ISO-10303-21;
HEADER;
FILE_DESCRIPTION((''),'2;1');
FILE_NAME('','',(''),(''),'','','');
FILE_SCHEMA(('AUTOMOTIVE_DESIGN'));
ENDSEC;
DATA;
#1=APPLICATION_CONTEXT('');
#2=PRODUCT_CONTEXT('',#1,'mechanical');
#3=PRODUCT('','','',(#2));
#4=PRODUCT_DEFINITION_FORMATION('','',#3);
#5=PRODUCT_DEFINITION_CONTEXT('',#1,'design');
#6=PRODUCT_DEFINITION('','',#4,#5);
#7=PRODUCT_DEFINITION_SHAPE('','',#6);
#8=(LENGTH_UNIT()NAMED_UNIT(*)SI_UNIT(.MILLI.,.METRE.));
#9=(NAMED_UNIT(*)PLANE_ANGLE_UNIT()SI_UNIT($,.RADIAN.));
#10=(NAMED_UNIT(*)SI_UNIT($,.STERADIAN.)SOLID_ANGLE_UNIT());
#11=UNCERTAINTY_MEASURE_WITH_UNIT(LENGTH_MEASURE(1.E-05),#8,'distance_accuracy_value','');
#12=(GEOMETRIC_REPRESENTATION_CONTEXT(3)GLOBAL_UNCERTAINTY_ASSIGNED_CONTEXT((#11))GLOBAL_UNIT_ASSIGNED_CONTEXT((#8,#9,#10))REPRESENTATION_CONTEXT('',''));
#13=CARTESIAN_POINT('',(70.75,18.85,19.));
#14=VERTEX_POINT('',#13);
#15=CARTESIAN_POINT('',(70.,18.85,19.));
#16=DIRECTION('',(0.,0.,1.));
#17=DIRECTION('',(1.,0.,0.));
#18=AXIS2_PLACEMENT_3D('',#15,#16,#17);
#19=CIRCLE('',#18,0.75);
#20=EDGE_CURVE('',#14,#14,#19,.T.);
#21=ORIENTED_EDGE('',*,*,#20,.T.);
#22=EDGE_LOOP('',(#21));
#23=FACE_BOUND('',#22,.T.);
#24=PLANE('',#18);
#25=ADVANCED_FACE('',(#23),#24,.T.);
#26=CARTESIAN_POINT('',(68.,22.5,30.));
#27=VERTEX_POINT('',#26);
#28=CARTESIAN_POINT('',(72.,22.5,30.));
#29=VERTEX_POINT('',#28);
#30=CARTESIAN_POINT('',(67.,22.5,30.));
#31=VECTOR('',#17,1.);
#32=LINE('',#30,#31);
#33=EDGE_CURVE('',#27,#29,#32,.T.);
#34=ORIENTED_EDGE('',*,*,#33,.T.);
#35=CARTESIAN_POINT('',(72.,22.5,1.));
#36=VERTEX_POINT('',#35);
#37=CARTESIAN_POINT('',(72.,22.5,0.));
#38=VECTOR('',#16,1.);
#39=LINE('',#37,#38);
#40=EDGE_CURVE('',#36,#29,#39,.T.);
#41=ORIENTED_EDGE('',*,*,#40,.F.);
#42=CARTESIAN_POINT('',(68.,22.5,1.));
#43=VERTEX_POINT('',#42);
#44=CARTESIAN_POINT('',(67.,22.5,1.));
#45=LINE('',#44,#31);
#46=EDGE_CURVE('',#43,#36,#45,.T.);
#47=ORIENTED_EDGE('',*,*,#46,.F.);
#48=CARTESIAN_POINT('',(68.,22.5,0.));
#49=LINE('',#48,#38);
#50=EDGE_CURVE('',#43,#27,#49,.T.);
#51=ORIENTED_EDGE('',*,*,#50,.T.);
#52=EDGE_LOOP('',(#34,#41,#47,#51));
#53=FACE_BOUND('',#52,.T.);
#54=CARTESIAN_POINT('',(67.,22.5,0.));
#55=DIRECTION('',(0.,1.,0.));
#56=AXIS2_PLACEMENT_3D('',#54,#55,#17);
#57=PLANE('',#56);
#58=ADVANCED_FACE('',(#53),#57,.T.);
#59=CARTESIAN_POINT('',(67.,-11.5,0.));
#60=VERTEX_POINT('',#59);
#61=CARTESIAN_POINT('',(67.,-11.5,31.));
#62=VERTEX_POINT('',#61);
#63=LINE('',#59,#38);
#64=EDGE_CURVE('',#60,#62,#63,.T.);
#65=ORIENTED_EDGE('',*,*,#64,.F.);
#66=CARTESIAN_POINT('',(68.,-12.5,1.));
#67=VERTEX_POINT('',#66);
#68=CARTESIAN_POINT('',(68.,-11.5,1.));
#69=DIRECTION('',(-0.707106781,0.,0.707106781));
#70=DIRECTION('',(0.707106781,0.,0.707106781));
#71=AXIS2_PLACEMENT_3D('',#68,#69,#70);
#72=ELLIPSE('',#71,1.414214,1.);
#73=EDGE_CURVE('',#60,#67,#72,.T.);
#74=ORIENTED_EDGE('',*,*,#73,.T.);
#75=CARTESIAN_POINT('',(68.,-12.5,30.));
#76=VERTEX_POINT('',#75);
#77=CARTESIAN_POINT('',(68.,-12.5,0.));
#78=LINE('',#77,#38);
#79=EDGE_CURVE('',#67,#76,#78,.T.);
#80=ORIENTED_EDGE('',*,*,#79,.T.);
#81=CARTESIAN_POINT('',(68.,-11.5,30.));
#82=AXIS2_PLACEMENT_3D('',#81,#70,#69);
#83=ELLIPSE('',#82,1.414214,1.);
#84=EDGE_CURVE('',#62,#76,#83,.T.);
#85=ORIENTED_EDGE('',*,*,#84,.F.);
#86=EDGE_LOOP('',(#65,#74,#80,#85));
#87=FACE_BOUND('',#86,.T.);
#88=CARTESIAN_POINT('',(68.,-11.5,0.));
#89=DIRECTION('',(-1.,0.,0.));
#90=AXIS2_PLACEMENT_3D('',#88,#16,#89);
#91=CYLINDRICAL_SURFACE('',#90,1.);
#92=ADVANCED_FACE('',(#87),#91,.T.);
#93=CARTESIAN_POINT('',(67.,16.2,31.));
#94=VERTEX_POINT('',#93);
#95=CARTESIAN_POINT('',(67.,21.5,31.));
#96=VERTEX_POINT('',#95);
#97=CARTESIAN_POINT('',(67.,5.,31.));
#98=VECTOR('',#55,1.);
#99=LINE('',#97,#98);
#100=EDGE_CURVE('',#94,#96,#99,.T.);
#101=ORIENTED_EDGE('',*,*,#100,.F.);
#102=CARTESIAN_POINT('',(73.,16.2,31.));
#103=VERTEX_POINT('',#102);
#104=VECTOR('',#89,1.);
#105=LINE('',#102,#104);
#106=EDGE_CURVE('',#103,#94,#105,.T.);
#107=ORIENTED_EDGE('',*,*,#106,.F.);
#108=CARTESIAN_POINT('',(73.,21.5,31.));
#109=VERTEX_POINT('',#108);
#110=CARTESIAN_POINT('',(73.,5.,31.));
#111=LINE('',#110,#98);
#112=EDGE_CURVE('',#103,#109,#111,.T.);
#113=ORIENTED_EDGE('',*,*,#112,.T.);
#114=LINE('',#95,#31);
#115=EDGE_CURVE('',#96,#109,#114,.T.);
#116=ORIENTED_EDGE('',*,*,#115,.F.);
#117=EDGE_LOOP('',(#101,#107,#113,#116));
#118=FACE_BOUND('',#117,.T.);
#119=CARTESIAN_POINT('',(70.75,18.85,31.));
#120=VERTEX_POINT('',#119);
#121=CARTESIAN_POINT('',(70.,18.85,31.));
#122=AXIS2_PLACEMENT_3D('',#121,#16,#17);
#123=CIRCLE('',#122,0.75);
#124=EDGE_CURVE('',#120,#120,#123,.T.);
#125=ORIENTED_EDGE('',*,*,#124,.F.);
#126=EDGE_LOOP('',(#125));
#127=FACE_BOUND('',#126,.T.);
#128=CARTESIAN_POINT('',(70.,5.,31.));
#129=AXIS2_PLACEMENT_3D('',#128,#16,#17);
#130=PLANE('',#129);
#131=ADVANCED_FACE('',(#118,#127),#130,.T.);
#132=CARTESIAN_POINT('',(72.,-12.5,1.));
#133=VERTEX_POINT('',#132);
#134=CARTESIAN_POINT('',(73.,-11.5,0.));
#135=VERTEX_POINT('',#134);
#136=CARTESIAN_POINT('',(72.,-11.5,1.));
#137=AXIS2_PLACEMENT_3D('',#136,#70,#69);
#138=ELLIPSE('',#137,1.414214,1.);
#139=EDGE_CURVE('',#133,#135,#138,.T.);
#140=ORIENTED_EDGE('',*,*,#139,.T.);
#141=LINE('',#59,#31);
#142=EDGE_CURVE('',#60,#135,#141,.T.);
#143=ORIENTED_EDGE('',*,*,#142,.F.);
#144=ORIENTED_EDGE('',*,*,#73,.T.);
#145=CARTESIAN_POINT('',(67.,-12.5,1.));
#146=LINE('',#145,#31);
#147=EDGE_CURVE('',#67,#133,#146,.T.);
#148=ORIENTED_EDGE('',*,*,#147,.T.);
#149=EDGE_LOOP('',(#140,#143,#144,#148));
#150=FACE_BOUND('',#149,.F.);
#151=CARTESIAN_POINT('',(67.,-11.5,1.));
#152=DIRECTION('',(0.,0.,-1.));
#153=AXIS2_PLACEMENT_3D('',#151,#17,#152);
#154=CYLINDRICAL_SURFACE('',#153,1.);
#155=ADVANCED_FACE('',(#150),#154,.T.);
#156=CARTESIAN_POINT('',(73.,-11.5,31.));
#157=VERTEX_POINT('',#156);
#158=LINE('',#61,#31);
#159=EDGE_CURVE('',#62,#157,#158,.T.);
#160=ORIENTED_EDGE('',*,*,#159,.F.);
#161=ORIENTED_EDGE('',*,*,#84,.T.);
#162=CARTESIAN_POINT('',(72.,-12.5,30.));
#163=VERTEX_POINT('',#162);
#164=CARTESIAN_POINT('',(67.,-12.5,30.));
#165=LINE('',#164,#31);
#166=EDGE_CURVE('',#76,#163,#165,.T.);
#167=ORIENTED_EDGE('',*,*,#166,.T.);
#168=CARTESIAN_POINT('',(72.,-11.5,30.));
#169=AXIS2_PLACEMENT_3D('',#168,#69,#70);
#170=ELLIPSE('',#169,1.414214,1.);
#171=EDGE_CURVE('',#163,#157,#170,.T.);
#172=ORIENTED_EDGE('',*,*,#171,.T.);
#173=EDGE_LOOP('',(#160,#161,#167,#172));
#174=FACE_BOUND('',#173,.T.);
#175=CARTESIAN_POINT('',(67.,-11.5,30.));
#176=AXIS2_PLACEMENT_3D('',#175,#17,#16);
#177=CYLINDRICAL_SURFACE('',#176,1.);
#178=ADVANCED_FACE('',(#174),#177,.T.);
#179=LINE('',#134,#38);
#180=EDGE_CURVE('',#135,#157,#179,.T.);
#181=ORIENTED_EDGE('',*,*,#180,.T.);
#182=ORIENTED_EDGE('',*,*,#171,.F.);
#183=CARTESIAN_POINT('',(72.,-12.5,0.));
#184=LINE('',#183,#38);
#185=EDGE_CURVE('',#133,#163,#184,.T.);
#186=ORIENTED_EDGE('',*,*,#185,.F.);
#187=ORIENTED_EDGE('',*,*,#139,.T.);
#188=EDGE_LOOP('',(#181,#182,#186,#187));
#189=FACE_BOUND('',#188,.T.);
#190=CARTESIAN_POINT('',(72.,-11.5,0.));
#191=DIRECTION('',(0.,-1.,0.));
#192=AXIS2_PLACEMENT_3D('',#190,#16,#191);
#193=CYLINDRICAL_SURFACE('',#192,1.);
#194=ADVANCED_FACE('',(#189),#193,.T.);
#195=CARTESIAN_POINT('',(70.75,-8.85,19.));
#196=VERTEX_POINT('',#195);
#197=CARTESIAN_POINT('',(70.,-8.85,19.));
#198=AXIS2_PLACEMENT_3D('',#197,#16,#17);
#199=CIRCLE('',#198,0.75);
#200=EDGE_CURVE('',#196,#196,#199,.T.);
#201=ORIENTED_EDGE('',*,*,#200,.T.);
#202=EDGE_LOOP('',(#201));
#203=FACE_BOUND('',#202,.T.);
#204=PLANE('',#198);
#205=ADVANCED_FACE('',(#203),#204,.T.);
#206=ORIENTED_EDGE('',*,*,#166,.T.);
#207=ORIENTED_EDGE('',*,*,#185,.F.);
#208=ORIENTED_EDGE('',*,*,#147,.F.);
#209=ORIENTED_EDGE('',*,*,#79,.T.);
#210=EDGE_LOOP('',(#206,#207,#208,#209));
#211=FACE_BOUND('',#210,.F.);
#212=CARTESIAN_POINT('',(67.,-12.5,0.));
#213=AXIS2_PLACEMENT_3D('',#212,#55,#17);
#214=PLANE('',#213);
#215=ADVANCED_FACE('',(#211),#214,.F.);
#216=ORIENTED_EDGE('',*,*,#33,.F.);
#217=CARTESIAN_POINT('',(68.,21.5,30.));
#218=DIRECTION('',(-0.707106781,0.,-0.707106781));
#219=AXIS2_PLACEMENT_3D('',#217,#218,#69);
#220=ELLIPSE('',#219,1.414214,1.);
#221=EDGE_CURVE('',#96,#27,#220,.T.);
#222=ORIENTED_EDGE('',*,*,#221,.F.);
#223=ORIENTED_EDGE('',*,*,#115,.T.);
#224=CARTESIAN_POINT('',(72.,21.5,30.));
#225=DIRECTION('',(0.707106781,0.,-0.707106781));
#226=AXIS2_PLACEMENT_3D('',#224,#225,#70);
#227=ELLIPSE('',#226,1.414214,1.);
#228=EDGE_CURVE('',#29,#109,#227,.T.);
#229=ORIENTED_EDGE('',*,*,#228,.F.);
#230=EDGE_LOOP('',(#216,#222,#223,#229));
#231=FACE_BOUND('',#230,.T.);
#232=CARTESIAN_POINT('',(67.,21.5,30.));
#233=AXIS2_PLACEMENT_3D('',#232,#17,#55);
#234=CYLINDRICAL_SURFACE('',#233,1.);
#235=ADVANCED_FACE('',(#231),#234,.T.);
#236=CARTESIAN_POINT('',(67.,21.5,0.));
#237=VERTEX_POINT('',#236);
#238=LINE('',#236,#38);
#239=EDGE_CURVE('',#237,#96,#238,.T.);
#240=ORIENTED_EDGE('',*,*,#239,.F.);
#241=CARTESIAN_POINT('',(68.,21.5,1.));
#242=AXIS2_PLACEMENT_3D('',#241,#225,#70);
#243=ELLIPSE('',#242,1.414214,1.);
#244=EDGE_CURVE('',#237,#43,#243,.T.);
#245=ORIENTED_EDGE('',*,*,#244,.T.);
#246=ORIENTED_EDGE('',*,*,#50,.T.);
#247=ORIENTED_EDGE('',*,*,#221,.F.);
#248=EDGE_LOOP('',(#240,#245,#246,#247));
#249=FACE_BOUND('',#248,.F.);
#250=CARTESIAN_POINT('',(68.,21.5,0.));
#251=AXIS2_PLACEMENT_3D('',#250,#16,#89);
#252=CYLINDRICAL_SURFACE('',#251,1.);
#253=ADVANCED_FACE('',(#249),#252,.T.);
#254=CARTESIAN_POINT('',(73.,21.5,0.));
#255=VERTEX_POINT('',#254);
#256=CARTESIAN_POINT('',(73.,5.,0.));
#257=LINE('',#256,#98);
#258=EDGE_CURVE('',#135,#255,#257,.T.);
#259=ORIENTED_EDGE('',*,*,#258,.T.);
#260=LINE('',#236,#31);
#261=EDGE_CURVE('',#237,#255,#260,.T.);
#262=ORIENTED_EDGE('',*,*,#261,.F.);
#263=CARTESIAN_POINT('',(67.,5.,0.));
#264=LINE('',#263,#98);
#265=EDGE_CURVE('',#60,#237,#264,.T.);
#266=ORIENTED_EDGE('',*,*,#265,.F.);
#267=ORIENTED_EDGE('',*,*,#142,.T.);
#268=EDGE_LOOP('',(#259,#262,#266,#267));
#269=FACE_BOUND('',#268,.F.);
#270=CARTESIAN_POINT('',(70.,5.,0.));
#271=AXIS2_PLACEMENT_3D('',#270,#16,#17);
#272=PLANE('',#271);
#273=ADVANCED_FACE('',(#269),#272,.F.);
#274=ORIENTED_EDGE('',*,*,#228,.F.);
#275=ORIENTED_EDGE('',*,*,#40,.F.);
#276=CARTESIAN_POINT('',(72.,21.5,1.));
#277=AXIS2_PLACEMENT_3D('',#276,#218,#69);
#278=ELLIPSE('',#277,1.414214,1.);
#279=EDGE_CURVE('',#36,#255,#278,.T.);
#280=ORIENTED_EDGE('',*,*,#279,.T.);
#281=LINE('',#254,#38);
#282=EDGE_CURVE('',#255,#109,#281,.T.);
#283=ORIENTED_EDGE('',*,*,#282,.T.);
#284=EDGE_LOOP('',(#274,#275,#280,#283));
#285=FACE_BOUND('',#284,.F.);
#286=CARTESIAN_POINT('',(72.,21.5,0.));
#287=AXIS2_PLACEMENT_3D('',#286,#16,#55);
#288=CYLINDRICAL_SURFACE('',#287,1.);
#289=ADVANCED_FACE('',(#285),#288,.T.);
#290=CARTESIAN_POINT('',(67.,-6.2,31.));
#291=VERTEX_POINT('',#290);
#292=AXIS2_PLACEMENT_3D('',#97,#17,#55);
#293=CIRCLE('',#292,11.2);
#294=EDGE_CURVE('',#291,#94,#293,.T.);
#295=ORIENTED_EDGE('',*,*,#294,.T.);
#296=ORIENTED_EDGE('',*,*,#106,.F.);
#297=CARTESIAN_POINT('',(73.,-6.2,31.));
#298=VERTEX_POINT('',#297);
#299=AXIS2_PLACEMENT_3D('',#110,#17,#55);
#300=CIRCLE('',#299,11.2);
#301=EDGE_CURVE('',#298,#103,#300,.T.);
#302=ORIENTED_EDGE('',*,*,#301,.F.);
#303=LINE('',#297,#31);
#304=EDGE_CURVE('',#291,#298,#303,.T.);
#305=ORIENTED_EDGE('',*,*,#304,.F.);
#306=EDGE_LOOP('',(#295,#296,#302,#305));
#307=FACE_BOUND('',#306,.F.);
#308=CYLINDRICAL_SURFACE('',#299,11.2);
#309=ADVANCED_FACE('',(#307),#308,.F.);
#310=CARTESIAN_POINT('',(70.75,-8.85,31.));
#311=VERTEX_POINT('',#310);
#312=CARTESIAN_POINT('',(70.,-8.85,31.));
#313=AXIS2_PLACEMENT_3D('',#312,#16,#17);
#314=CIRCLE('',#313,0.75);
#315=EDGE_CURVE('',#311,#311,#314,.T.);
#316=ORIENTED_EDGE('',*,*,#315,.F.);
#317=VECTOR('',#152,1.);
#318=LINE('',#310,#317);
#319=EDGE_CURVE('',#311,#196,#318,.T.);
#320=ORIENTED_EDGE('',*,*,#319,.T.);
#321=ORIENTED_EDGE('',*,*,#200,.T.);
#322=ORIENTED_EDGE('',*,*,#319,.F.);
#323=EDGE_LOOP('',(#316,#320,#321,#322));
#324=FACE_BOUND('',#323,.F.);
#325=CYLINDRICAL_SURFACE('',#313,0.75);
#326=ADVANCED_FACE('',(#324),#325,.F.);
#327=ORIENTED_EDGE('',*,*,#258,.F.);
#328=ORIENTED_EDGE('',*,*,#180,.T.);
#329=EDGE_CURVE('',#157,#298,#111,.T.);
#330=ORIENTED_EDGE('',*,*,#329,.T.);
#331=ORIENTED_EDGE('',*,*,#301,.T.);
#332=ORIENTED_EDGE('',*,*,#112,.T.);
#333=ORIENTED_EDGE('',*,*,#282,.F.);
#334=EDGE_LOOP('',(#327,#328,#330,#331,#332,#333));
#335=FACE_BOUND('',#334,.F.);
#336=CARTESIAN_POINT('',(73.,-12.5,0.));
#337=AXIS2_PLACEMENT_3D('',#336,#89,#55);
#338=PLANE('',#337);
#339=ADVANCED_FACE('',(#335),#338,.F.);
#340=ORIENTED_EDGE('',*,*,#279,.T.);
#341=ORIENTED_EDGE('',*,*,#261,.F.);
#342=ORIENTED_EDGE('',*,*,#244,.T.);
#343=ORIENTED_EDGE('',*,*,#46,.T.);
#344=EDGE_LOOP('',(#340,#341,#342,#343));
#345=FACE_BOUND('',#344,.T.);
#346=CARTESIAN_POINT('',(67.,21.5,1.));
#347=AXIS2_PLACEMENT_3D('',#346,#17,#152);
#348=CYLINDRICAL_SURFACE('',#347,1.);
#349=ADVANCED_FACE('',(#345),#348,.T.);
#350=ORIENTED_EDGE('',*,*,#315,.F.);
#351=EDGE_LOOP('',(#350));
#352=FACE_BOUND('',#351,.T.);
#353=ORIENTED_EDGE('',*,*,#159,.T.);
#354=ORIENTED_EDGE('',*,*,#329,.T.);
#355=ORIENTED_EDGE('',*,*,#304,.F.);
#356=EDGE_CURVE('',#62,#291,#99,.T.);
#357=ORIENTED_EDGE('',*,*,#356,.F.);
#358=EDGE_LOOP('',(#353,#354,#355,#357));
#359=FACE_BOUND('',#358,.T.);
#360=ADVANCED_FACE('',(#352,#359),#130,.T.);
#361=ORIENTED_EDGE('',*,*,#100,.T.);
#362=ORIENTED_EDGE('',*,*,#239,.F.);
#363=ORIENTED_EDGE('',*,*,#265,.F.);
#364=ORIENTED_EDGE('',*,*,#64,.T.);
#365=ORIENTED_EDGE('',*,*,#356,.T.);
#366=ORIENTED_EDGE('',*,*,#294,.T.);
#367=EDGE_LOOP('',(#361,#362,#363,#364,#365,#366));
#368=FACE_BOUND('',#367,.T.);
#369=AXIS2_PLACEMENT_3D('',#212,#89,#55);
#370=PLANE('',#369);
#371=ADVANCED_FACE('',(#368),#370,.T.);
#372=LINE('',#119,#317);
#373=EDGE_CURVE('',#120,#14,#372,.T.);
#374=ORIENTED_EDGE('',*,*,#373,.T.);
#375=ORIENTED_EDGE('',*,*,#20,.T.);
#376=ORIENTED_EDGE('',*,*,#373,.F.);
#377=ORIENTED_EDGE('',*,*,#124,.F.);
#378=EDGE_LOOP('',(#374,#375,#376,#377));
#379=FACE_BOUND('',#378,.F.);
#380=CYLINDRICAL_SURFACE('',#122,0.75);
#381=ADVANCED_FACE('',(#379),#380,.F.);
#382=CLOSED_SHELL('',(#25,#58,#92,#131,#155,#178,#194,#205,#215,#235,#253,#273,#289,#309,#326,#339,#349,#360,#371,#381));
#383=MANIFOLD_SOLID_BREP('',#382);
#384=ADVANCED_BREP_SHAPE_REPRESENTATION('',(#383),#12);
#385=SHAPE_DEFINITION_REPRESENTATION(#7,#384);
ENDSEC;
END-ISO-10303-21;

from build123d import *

# Parameters (mm, degrees)
SKETCH020_W     = 6
SKETCH020_H     = 35
PAD004_DEPTH    = 31
SKETCH021_R     = 11.2
POCKET_DEPTH    = 6.001
FILLET004_R     = 1
SKETCH027_R     = 0.75
POCKET009_DEPTH = 12


with BuildPart() as part:
    # Sketch020 → Pad004 (new body)
    with BuildSketch(Plane.XY):
        with Locations((70, 5)):
            Rectangle(SKETCH020_W, SKETCH020_H)
    extrude(amount=PAD004_DEPTH)

    # Sketch021 → Pocket (cut, through all)
    with BuildSketch(Plane.YZ.offset(73)):
        with Locations((5, 31)):
            Circle(SKETCH021_R)
    extrude(amount=-POCKET_DEPTH, mode=Mode.SUBTRACT)

    # Fillet004
    fillet004_edges = [part.edges().sort_by_distance(p)[0] for p in [
        (73, -12.5, 15.5),
        (67, -12.5, 15.5),
        (70, -12.5, 0),
        (70, -12.5, 31),
        (67, 22.5, 15.5),
        (73, 22.5, 15.5),
        (70, 22.5, 0),
        (70, 22.5, 31),
    ]]
    fillet(fillet004_edges, radius=FILLET004_R)

    # Sketch027 → Pocket009 (cut)
    with BuildSketch(Plane.XY.offset(31)):
        with Locations((70, 18.85)):
            Circle(SKETCH027_R)
        with Locations((70, -8.85)):
            Circle(SKETCH027_R)
    extrude(amount=-POCKET009_DEPTH, mode=Mode.SUBTRACT)


solid = part.part
